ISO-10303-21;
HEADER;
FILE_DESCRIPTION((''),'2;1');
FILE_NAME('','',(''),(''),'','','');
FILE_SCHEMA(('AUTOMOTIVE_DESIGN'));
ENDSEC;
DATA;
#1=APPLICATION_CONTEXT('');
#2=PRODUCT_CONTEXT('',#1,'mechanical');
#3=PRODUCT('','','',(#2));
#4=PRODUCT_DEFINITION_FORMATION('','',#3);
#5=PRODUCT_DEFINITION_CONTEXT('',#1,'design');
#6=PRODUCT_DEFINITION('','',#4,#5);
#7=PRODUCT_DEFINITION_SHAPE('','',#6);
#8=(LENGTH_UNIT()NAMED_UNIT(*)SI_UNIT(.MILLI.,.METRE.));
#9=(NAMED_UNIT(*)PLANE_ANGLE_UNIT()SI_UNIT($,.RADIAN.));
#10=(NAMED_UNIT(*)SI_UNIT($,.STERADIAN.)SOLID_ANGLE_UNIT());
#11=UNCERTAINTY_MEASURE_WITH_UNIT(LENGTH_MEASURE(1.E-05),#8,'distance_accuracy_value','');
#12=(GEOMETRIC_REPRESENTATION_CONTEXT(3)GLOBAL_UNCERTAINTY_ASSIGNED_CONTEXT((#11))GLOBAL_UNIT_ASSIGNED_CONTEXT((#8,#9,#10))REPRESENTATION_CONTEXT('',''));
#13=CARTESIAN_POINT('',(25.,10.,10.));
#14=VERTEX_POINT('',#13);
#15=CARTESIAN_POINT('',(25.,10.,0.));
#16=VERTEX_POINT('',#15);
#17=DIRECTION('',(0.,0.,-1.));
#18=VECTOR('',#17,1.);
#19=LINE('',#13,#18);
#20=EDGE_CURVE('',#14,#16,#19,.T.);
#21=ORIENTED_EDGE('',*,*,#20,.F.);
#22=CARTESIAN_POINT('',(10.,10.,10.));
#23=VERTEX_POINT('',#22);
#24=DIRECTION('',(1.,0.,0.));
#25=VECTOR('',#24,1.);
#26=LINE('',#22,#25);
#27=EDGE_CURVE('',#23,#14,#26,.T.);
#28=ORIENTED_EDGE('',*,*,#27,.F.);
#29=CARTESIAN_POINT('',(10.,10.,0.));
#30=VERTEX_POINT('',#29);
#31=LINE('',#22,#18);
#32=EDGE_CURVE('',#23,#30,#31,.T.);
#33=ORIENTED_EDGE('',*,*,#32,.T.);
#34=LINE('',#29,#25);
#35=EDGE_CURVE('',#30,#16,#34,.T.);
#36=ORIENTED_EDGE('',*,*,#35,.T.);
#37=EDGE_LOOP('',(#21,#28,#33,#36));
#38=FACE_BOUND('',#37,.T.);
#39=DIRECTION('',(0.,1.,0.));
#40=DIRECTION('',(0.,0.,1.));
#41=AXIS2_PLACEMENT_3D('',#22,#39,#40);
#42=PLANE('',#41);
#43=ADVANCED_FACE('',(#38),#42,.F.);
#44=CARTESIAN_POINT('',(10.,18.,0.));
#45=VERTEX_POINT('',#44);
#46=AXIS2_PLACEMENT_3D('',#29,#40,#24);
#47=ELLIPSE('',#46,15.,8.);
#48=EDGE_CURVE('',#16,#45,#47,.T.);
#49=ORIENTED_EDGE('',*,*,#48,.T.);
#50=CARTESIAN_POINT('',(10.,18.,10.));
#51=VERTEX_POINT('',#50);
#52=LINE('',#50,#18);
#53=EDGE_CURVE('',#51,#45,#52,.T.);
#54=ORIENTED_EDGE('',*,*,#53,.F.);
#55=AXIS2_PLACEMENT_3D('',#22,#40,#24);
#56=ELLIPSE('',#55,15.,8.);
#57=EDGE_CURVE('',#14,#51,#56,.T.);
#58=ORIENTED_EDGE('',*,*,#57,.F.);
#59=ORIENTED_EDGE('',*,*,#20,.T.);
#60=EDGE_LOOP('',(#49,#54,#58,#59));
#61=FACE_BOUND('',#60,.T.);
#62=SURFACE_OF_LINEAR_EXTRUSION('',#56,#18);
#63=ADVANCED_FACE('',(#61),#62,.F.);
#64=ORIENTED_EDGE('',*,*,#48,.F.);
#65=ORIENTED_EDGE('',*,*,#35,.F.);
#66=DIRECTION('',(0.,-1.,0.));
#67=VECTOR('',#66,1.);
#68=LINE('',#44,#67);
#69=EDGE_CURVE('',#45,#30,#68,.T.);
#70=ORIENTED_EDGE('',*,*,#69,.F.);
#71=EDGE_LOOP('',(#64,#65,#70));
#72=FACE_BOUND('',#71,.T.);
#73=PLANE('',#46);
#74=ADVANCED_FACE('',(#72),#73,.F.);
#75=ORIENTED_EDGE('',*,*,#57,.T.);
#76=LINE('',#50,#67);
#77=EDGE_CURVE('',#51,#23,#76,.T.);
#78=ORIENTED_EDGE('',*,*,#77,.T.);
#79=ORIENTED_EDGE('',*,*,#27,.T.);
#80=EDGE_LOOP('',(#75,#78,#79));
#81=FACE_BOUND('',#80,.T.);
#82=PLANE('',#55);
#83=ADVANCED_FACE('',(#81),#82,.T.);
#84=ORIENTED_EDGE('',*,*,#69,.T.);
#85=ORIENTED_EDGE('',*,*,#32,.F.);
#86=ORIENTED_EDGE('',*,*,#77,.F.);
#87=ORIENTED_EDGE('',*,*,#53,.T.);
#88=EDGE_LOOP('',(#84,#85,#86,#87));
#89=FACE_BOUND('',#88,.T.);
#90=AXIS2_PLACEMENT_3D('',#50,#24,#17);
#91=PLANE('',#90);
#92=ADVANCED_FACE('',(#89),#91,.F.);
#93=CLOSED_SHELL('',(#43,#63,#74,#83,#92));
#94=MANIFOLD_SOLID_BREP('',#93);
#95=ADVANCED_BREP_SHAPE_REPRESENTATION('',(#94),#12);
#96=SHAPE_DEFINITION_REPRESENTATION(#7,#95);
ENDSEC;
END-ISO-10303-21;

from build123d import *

# Parameters (mm, degrees)
BOSS_EXTRUDE1_DEPTH = 10


with BuildPart() as part:
    # Sketch1 → Boss-Extrude1 (new body)
    with BuildSketch(Plane.XY):
        with BuildLine():
            Line((10, 18), (10, 10))
            Line((10, 10), (25, 10))
            add(Edge.make_bspline(
                [(25, 10), (25, 18), (10, 18)],
                knots=[0, 0, 0, 1.570796327, 1.570796327, 1.570796327], degree=2, weights=[1, 0.707106781, 1]))
        make_face()
    extrude(amount=BOSS_EXTRUDE1_DEPTH)


solid = part.part
